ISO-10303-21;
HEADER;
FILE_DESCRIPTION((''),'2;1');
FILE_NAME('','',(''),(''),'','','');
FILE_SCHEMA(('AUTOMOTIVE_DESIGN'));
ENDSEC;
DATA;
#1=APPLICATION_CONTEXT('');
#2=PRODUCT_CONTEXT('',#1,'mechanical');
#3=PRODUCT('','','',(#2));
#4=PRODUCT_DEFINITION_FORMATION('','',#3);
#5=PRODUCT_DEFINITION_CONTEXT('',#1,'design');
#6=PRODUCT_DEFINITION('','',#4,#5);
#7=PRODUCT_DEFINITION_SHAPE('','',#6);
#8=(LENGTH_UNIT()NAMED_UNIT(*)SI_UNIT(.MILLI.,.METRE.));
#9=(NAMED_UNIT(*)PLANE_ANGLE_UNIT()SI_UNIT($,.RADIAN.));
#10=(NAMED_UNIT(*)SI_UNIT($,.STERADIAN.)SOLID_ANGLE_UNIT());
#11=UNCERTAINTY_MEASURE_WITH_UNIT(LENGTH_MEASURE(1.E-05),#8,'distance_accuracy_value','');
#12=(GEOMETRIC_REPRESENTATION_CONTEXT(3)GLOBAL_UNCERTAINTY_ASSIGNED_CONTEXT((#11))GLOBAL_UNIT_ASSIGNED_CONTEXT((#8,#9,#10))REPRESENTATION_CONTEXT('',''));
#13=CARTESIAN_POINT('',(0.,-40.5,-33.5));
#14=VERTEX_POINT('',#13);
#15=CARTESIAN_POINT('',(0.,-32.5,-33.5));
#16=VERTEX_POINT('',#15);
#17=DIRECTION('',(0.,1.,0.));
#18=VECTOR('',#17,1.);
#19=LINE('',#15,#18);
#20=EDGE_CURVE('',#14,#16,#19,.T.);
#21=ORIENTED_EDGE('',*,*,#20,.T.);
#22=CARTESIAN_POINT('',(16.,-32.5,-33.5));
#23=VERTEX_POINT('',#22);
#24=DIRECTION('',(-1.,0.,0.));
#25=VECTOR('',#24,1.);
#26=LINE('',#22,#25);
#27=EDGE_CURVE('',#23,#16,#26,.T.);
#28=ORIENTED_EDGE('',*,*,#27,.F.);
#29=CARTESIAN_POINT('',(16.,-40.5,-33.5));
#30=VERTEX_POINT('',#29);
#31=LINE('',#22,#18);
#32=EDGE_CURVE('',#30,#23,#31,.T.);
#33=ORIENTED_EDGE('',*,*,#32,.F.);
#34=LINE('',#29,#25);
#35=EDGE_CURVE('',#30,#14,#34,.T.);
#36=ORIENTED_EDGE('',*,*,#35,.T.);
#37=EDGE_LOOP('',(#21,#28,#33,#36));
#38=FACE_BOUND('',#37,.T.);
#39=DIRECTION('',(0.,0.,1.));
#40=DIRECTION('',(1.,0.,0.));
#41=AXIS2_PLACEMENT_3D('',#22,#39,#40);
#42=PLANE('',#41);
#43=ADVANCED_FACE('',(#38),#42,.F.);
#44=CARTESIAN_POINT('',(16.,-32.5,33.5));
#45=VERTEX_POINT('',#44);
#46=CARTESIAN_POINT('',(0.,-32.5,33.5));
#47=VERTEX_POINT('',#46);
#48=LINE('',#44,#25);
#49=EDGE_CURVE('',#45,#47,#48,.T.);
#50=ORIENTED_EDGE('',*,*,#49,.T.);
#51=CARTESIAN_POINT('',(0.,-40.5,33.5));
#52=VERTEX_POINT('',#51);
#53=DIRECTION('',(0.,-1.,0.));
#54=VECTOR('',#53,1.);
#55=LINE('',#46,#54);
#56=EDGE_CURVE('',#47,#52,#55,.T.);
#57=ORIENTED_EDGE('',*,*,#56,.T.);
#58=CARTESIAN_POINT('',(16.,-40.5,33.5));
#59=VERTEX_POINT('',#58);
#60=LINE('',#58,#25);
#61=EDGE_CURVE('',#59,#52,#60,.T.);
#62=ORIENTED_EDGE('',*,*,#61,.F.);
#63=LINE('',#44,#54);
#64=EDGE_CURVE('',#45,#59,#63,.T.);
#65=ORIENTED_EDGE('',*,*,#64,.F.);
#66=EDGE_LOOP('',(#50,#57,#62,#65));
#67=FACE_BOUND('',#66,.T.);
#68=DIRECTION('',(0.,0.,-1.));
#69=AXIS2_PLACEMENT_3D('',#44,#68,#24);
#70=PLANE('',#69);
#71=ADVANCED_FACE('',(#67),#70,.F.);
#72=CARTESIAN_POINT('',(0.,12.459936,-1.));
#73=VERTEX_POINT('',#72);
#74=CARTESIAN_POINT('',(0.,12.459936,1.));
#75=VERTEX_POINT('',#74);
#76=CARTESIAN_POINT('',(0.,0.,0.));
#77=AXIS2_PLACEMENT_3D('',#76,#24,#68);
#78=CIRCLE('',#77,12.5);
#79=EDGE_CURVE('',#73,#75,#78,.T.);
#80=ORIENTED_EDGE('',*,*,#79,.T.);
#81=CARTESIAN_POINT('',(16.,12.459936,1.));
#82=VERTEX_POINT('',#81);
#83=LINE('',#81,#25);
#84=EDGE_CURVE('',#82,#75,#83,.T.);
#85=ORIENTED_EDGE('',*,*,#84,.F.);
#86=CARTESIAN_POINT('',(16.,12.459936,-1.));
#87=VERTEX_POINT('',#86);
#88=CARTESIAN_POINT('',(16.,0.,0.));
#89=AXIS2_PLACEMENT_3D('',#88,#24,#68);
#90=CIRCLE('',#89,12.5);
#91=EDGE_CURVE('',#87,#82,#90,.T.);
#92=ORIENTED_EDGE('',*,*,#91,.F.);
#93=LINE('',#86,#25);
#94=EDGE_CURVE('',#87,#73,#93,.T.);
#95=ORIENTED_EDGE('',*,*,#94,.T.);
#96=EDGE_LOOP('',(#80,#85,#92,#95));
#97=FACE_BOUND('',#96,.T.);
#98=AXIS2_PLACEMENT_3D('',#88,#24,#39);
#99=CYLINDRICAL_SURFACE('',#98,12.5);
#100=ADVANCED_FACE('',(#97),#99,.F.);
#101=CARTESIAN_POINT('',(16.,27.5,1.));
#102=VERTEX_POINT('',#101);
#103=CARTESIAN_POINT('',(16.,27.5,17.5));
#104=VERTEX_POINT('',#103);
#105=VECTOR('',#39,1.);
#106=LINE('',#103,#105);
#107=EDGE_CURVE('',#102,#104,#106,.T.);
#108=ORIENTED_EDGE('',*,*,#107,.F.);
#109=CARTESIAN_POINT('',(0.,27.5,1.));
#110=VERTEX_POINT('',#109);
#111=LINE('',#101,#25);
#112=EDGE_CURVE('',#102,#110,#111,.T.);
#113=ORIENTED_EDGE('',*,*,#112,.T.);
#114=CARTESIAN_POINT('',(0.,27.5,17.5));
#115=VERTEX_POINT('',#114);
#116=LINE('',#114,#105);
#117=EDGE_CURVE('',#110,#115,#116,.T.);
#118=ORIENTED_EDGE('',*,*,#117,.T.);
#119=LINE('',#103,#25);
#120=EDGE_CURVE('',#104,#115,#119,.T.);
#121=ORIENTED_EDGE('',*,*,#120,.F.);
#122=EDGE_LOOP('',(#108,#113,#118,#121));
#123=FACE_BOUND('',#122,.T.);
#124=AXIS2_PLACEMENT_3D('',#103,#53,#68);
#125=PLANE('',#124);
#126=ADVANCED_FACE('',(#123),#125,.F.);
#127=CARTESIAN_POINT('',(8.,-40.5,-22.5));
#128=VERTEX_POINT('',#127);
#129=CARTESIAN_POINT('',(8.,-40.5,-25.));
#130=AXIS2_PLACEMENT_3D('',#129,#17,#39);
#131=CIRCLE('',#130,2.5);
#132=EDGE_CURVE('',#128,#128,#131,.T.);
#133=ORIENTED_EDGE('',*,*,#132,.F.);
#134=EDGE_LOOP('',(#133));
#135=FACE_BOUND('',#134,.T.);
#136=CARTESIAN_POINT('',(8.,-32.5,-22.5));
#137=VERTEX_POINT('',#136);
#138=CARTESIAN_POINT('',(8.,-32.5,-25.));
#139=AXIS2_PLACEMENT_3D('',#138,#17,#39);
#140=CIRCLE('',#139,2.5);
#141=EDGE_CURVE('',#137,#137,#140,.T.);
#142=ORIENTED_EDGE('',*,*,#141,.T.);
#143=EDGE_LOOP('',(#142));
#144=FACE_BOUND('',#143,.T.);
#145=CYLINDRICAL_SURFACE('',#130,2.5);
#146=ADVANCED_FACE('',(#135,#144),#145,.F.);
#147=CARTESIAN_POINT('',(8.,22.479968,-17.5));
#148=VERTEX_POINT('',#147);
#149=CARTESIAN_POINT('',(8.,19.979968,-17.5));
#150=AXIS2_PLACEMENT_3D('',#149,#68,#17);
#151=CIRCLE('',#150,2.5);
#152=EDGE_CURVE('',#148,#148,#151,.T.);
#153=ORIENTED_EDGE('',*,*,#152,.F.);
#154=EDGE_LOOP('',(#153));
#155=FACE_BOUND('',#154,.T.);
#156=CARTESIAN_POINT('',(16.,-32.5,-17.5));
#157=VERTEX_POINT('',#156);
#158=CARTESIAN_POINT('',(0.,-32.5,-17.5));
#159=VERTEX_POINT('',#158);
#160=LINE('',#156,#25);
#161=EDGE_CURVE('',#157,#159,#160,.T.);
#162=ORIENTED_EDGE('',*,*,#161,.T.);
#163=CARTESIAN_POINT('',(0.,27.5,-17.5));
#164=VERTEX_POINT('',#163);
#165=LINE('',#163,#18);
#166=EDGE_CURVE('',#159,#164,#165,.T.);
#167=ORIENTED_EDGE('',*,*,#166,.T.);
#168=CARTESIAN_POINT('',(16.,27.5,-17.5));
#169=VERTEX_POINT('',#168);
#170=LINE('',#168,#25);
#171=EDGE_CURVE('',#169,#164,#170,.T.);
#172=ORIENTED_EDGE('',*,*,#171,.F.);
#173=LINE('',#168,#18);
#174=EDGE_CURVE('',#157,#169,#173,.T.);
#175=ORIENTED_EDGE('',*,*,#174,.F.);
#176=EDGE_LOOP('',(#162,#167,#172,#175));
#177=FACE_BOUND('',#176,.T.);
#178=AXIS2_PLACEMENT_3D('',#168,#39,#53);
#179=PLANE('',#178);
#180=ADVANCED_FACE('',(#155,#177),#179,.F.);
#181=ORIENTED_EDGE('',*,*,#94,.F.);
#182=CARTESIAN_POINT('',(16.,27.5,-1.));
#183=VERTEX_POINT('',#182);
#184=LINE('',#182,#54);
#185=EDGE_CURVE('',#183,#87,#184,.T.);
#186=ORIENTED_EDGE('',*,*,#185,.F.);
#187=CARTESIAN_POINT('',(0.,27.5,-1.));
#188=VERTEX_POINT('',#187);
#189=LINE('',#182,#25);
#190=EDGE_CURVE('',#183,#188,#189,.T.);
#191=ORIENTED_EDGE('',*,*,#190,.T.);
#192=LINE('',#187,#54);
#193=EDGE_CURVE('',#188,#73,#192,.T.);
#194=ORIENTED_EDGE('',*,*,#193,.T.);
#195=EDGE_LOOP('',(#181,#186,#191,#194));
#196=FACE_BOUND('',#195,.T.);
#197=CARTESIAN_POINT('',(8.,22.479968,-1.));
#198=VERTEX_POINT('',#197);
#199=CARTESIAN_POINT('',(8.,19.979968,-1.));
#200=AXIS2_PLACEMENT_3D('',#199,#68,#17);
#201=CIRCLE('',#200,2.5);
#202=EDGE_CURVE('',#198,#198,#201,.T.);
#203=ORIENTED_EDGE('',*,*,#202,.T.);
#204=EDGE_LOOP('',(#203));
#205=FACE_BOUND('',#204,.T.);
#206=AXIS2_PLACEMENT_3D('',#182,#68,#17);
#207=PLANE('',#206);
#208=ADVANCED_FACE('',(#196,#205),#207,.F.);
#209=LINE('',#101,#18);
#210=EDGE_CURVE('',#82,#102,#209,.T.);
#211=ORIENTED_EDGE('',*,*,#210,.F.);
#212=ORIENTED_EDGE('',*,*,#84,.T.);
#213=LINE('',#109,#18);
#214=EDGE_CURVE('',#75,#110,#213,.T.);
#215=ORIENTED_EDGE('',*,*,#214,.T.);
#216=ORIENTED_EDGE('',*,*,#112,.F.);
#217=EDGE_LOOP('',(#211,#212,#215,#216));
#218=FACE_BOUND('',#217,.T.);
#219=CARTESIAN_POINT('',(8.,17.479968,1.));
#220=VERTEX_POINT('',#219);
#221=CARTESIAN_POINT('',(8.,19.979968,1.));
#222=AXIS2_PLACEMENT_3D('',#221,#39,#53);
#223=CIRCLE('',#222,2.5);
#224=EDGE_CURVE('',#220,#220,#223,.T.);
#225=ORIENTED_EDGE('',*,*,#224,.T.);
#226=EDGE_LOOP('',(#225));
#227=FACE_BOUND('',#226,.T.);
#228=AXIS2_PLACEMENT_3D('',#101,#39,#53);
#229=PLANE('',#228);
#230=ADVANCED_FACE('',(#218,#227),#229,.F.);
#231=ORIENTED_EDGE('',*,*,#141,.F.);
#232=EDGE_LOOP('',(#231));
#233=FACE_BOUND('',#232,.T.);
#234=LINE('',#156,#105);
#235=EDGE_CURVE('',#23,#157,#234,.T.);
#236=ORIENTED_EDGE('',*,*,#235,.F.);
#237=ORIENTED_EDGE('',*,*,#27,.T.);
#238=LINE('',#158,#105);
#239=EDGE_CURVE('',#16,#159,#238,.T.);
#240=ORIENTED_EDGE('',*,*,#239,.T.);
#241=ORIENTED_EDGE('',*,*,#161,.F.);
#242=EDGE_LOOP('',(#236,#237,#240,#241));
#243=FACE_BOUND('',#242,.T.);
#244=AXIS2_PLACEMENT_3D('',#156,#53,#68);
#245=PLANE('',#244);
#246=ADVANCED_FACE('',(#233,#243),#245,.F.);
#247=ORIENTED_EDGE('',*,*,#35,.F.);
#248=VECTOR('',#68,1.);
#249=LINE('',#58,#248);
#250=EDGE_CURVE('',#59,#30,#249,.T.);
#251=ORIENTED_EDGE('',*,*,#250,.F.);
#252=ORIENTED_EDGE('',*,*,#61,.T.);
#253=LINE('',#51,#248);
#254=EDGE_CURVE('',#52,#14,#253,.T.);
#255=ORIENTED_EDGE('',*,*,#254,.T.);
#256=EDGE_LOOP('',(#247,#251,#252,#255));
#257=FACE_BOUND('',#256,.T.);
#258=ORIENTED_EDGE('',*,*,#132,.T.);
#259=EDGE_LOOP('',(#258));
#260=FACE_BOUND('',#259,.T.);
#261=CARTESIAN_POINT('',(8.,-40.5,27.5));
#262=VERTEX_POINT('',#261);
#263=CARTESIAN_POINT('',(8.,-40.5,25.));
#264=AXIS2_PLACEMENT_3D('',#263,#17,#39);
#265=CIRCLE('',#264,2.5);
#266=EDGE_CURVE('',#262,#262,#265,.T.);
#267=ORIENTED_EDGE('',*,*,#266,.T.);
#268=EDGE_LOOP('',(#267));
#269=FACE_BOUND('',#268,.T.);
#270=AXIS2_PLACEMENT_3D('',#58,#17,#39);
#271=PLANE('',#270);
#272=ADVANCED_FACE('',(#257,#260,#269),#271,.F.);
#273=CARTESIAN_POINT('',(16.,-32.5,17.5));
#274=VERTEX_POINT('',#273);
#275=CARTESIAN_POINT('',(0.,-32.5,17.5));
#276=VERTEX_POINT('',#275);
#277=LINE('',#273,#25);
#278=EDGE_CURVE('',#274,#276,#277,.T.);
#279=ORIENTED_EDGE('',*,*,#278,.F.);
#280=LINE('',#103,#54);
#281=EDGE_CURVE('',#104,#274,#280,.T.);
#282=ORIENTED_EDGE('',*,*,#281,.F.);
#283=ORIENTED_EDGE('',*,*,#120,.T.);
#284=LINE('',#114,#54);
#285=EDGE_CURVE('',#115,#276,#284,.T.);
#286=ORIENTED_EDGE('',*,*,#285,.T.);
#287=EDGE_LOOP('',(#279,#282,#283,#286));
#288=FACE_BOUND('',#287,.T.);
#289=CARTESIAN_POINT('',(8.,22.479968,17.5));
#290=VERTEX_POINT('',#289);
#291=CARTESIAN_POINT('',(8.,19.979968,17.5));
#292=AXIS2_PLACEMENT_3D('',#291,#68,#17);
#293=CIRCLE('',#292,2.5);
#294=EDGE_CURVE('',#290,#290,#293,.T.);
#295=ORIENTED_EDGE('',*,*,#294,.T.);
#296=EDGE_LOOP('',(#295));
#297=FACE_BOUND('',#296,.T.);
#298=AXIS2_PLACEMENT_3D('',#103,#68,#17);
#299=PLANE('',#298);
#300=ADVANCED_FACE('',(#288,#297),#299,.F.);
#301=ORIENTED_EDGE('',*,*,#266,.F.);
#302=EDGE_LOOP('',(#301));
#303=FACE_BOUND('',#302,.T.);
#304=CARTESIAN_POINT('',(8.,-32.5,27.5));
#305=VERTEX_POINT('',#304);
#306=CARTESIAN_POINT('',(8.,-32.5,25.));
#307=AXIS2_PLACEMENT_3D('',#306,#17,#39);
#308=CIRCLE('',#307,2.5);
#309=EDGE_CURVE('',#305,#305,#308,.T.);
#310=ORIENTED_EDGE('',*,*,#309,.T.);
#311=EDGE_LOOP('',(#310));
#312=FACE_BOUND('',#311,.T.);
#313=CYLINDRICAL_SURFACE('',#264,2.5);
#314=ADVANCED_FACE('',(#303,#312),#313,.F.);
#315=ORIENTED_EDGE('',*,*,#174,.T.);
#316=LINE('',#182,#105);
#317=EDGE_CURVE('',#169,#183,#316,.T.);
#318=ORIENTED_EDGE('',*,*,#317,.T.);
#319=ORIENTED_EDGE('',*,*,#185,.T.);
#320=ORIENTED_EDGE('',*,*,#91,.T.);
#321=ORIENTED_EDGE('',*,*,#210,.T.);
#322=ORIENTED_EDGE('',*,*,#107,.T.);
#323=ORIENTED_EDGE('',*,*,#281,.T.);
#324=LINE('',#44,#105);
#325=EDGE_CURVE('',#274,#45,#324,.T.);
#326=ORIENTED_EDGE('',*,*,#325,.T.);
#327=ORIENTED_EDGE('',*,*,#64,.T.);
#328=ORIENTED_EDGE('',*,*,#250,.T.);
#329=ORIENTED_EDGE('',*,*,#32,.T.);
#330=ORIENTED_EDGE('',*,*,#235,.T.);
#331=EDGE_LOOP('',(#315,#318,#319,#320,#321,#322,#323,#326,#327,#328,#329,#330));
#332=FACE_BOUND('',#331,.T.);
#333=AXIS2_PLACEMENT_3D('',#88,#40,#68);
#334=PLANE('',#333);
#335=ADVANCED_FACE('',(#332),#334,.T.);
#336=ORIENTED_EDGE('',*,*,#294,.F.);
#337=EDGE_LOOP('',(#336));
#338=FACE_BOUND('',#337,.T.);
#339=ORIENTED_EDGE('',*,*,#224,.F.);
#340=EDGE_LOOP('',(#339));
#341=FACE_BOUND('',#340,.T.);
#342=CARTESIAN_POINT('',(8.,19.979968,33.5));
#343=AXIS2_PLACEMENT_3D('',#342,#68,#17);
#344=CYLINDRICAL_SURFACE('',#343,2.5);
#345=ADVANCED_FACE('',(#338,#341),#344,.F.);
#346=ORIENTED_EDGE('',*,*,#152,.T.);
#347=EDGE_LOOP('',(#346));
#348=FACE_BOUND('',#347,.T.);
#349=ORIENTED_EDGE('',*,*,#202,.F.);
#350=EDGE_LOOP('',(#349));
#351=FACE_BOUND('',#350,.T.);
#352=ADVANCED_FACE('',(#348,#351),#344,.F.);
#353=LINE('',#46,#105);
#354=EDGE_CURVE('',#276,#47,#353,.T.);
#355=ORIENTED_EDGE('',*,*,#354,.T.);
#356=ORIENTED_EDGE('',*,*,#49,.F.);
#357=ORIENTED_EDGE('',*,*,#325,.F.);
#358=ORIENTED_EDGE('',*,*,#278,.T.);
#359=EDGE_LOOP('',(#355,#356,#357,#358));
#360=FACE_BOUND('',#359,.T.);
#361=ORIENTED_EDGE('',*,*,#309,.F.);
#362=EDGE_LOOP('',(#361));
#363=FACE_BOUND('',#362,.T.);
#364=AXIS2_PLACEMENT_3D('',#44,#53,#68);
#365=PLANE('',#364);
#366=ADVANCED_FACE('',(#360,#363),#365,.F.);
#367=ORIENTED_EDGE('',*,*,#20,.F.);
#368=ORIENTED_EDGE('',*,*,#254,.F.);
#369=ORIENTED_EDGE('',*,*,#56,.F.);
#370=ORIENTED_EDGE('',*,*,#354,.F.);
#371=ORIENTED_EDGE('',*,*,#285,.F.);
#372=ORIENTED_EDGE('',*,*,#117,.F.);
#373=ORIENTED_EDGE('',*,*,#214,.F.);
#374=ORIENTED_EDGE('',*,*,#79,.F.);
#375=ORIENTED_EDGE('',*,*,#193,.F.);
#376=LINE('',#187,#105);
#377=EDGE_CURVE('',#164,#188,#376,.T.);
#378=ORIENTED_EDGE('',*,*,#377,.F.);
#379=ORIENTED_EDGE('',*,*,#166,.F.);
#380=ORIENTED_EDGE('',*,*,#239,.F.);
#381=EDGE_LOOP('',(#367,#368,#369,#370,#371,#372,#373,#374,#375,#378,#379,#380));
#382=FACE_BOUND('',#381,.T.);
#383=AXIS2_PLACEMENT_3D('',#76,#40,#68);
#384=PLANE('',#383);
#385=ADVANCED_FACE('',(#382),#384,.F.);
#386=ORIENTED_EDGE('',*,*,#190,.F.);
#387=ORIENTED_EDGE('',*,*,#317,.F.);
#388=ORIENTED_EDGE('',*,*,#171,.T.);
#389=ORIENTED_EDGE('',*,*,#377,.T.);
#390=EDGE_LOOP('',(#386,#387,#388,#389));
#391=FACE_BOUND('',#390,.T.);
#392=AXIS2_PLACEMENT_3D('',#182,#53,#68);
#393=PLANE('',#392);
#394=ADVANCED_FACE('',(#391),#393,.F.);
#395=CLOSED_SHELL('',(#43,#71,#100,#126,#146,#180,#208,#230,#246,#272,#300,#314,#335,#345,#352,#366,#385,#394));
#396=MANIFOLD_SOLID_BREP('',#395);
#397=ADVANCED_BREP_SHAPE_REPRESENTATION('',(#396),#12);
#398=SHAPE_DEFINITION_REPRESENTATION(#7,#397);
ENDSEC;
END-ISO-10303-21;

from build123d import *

# Parameters (mm, degrees)
BOSS_EXTRUDE1_DEPTH = 16
SKETCH2_R           = 2.5
CUT_EXTRUDE1_DEPTH  = 71.556714776
SKETCH3_R           = 2.5
CUT_EXTRUDE2_DEPTH  = 68.061538903


with BuildPart() as part:
    # Sketch1 → Boss-Extrude1 (new body)
    with BuildSketch(Plane(origin=(0, 0, 0), x_dir=(0, 0, -1), z_dir=(1, 0, 0))):
        with BuildLine():
            Line((17.5, -32.5), (33.5, -32.5))
            Line((33.5, -32.5), (33.5, -40.5))
            Line((33.5, -40.5), (-33.5, -40.5))
            Line((-33.5, -40.5), (-33.5, -32.5))
            Line((-33.5, -32.5), (-17.5, -32.5))
            Line((-17.5, -32.5), (-17.5, 27.5))
            Line((-17.5, 27.5), (-1, 27.5))
            Line((-1, 27.5), (-1, 12.459935794))
            ThreePointArc((-1, 12.459935794), (0, -12.5), (1, 12.459935794))
            Line((1, 12.459935794), (1, 27.5))
            Line((1, 27.5), (17.5, 27.5))
            Line((17.5, 27.5), (17.5, -32.5))
        make_face()
    extrude(amount=BOSS_EXTRUDE1_DEPTH)

    # Sketch2 → Cut-Extrude1 (cut, through all)
    with BuildSketch(Plane(origin=(0, -32.5, 0), x_dir=(1, 0, 0), z_dir=(0, 1, 0))):
        with Locations((8, -25)):
            Circle(SKETCH2_R)
        with Locations((8, 25)):
            Circle(SKETCH2_R)
    extrude(amount=-CUT_EXTRUDE1_DEPTH, mode=Mode.SUBTRACT)

    # Sketch3 → Cut-Extrude2 (cut, through all)
    with BuildSketch(Plane(origin=(0, 0, -17.5), x_dir=(-1, 0, 0), z_dir=(0, 0, -1))):
        with Locations((-8, 19.979967897)):
            Circle(SKETCH3_R)
    extrude(amount=-CUT_EXTRUDE2_DEPTH, mode=Mode.SUBTRACT)


solid = part.part
